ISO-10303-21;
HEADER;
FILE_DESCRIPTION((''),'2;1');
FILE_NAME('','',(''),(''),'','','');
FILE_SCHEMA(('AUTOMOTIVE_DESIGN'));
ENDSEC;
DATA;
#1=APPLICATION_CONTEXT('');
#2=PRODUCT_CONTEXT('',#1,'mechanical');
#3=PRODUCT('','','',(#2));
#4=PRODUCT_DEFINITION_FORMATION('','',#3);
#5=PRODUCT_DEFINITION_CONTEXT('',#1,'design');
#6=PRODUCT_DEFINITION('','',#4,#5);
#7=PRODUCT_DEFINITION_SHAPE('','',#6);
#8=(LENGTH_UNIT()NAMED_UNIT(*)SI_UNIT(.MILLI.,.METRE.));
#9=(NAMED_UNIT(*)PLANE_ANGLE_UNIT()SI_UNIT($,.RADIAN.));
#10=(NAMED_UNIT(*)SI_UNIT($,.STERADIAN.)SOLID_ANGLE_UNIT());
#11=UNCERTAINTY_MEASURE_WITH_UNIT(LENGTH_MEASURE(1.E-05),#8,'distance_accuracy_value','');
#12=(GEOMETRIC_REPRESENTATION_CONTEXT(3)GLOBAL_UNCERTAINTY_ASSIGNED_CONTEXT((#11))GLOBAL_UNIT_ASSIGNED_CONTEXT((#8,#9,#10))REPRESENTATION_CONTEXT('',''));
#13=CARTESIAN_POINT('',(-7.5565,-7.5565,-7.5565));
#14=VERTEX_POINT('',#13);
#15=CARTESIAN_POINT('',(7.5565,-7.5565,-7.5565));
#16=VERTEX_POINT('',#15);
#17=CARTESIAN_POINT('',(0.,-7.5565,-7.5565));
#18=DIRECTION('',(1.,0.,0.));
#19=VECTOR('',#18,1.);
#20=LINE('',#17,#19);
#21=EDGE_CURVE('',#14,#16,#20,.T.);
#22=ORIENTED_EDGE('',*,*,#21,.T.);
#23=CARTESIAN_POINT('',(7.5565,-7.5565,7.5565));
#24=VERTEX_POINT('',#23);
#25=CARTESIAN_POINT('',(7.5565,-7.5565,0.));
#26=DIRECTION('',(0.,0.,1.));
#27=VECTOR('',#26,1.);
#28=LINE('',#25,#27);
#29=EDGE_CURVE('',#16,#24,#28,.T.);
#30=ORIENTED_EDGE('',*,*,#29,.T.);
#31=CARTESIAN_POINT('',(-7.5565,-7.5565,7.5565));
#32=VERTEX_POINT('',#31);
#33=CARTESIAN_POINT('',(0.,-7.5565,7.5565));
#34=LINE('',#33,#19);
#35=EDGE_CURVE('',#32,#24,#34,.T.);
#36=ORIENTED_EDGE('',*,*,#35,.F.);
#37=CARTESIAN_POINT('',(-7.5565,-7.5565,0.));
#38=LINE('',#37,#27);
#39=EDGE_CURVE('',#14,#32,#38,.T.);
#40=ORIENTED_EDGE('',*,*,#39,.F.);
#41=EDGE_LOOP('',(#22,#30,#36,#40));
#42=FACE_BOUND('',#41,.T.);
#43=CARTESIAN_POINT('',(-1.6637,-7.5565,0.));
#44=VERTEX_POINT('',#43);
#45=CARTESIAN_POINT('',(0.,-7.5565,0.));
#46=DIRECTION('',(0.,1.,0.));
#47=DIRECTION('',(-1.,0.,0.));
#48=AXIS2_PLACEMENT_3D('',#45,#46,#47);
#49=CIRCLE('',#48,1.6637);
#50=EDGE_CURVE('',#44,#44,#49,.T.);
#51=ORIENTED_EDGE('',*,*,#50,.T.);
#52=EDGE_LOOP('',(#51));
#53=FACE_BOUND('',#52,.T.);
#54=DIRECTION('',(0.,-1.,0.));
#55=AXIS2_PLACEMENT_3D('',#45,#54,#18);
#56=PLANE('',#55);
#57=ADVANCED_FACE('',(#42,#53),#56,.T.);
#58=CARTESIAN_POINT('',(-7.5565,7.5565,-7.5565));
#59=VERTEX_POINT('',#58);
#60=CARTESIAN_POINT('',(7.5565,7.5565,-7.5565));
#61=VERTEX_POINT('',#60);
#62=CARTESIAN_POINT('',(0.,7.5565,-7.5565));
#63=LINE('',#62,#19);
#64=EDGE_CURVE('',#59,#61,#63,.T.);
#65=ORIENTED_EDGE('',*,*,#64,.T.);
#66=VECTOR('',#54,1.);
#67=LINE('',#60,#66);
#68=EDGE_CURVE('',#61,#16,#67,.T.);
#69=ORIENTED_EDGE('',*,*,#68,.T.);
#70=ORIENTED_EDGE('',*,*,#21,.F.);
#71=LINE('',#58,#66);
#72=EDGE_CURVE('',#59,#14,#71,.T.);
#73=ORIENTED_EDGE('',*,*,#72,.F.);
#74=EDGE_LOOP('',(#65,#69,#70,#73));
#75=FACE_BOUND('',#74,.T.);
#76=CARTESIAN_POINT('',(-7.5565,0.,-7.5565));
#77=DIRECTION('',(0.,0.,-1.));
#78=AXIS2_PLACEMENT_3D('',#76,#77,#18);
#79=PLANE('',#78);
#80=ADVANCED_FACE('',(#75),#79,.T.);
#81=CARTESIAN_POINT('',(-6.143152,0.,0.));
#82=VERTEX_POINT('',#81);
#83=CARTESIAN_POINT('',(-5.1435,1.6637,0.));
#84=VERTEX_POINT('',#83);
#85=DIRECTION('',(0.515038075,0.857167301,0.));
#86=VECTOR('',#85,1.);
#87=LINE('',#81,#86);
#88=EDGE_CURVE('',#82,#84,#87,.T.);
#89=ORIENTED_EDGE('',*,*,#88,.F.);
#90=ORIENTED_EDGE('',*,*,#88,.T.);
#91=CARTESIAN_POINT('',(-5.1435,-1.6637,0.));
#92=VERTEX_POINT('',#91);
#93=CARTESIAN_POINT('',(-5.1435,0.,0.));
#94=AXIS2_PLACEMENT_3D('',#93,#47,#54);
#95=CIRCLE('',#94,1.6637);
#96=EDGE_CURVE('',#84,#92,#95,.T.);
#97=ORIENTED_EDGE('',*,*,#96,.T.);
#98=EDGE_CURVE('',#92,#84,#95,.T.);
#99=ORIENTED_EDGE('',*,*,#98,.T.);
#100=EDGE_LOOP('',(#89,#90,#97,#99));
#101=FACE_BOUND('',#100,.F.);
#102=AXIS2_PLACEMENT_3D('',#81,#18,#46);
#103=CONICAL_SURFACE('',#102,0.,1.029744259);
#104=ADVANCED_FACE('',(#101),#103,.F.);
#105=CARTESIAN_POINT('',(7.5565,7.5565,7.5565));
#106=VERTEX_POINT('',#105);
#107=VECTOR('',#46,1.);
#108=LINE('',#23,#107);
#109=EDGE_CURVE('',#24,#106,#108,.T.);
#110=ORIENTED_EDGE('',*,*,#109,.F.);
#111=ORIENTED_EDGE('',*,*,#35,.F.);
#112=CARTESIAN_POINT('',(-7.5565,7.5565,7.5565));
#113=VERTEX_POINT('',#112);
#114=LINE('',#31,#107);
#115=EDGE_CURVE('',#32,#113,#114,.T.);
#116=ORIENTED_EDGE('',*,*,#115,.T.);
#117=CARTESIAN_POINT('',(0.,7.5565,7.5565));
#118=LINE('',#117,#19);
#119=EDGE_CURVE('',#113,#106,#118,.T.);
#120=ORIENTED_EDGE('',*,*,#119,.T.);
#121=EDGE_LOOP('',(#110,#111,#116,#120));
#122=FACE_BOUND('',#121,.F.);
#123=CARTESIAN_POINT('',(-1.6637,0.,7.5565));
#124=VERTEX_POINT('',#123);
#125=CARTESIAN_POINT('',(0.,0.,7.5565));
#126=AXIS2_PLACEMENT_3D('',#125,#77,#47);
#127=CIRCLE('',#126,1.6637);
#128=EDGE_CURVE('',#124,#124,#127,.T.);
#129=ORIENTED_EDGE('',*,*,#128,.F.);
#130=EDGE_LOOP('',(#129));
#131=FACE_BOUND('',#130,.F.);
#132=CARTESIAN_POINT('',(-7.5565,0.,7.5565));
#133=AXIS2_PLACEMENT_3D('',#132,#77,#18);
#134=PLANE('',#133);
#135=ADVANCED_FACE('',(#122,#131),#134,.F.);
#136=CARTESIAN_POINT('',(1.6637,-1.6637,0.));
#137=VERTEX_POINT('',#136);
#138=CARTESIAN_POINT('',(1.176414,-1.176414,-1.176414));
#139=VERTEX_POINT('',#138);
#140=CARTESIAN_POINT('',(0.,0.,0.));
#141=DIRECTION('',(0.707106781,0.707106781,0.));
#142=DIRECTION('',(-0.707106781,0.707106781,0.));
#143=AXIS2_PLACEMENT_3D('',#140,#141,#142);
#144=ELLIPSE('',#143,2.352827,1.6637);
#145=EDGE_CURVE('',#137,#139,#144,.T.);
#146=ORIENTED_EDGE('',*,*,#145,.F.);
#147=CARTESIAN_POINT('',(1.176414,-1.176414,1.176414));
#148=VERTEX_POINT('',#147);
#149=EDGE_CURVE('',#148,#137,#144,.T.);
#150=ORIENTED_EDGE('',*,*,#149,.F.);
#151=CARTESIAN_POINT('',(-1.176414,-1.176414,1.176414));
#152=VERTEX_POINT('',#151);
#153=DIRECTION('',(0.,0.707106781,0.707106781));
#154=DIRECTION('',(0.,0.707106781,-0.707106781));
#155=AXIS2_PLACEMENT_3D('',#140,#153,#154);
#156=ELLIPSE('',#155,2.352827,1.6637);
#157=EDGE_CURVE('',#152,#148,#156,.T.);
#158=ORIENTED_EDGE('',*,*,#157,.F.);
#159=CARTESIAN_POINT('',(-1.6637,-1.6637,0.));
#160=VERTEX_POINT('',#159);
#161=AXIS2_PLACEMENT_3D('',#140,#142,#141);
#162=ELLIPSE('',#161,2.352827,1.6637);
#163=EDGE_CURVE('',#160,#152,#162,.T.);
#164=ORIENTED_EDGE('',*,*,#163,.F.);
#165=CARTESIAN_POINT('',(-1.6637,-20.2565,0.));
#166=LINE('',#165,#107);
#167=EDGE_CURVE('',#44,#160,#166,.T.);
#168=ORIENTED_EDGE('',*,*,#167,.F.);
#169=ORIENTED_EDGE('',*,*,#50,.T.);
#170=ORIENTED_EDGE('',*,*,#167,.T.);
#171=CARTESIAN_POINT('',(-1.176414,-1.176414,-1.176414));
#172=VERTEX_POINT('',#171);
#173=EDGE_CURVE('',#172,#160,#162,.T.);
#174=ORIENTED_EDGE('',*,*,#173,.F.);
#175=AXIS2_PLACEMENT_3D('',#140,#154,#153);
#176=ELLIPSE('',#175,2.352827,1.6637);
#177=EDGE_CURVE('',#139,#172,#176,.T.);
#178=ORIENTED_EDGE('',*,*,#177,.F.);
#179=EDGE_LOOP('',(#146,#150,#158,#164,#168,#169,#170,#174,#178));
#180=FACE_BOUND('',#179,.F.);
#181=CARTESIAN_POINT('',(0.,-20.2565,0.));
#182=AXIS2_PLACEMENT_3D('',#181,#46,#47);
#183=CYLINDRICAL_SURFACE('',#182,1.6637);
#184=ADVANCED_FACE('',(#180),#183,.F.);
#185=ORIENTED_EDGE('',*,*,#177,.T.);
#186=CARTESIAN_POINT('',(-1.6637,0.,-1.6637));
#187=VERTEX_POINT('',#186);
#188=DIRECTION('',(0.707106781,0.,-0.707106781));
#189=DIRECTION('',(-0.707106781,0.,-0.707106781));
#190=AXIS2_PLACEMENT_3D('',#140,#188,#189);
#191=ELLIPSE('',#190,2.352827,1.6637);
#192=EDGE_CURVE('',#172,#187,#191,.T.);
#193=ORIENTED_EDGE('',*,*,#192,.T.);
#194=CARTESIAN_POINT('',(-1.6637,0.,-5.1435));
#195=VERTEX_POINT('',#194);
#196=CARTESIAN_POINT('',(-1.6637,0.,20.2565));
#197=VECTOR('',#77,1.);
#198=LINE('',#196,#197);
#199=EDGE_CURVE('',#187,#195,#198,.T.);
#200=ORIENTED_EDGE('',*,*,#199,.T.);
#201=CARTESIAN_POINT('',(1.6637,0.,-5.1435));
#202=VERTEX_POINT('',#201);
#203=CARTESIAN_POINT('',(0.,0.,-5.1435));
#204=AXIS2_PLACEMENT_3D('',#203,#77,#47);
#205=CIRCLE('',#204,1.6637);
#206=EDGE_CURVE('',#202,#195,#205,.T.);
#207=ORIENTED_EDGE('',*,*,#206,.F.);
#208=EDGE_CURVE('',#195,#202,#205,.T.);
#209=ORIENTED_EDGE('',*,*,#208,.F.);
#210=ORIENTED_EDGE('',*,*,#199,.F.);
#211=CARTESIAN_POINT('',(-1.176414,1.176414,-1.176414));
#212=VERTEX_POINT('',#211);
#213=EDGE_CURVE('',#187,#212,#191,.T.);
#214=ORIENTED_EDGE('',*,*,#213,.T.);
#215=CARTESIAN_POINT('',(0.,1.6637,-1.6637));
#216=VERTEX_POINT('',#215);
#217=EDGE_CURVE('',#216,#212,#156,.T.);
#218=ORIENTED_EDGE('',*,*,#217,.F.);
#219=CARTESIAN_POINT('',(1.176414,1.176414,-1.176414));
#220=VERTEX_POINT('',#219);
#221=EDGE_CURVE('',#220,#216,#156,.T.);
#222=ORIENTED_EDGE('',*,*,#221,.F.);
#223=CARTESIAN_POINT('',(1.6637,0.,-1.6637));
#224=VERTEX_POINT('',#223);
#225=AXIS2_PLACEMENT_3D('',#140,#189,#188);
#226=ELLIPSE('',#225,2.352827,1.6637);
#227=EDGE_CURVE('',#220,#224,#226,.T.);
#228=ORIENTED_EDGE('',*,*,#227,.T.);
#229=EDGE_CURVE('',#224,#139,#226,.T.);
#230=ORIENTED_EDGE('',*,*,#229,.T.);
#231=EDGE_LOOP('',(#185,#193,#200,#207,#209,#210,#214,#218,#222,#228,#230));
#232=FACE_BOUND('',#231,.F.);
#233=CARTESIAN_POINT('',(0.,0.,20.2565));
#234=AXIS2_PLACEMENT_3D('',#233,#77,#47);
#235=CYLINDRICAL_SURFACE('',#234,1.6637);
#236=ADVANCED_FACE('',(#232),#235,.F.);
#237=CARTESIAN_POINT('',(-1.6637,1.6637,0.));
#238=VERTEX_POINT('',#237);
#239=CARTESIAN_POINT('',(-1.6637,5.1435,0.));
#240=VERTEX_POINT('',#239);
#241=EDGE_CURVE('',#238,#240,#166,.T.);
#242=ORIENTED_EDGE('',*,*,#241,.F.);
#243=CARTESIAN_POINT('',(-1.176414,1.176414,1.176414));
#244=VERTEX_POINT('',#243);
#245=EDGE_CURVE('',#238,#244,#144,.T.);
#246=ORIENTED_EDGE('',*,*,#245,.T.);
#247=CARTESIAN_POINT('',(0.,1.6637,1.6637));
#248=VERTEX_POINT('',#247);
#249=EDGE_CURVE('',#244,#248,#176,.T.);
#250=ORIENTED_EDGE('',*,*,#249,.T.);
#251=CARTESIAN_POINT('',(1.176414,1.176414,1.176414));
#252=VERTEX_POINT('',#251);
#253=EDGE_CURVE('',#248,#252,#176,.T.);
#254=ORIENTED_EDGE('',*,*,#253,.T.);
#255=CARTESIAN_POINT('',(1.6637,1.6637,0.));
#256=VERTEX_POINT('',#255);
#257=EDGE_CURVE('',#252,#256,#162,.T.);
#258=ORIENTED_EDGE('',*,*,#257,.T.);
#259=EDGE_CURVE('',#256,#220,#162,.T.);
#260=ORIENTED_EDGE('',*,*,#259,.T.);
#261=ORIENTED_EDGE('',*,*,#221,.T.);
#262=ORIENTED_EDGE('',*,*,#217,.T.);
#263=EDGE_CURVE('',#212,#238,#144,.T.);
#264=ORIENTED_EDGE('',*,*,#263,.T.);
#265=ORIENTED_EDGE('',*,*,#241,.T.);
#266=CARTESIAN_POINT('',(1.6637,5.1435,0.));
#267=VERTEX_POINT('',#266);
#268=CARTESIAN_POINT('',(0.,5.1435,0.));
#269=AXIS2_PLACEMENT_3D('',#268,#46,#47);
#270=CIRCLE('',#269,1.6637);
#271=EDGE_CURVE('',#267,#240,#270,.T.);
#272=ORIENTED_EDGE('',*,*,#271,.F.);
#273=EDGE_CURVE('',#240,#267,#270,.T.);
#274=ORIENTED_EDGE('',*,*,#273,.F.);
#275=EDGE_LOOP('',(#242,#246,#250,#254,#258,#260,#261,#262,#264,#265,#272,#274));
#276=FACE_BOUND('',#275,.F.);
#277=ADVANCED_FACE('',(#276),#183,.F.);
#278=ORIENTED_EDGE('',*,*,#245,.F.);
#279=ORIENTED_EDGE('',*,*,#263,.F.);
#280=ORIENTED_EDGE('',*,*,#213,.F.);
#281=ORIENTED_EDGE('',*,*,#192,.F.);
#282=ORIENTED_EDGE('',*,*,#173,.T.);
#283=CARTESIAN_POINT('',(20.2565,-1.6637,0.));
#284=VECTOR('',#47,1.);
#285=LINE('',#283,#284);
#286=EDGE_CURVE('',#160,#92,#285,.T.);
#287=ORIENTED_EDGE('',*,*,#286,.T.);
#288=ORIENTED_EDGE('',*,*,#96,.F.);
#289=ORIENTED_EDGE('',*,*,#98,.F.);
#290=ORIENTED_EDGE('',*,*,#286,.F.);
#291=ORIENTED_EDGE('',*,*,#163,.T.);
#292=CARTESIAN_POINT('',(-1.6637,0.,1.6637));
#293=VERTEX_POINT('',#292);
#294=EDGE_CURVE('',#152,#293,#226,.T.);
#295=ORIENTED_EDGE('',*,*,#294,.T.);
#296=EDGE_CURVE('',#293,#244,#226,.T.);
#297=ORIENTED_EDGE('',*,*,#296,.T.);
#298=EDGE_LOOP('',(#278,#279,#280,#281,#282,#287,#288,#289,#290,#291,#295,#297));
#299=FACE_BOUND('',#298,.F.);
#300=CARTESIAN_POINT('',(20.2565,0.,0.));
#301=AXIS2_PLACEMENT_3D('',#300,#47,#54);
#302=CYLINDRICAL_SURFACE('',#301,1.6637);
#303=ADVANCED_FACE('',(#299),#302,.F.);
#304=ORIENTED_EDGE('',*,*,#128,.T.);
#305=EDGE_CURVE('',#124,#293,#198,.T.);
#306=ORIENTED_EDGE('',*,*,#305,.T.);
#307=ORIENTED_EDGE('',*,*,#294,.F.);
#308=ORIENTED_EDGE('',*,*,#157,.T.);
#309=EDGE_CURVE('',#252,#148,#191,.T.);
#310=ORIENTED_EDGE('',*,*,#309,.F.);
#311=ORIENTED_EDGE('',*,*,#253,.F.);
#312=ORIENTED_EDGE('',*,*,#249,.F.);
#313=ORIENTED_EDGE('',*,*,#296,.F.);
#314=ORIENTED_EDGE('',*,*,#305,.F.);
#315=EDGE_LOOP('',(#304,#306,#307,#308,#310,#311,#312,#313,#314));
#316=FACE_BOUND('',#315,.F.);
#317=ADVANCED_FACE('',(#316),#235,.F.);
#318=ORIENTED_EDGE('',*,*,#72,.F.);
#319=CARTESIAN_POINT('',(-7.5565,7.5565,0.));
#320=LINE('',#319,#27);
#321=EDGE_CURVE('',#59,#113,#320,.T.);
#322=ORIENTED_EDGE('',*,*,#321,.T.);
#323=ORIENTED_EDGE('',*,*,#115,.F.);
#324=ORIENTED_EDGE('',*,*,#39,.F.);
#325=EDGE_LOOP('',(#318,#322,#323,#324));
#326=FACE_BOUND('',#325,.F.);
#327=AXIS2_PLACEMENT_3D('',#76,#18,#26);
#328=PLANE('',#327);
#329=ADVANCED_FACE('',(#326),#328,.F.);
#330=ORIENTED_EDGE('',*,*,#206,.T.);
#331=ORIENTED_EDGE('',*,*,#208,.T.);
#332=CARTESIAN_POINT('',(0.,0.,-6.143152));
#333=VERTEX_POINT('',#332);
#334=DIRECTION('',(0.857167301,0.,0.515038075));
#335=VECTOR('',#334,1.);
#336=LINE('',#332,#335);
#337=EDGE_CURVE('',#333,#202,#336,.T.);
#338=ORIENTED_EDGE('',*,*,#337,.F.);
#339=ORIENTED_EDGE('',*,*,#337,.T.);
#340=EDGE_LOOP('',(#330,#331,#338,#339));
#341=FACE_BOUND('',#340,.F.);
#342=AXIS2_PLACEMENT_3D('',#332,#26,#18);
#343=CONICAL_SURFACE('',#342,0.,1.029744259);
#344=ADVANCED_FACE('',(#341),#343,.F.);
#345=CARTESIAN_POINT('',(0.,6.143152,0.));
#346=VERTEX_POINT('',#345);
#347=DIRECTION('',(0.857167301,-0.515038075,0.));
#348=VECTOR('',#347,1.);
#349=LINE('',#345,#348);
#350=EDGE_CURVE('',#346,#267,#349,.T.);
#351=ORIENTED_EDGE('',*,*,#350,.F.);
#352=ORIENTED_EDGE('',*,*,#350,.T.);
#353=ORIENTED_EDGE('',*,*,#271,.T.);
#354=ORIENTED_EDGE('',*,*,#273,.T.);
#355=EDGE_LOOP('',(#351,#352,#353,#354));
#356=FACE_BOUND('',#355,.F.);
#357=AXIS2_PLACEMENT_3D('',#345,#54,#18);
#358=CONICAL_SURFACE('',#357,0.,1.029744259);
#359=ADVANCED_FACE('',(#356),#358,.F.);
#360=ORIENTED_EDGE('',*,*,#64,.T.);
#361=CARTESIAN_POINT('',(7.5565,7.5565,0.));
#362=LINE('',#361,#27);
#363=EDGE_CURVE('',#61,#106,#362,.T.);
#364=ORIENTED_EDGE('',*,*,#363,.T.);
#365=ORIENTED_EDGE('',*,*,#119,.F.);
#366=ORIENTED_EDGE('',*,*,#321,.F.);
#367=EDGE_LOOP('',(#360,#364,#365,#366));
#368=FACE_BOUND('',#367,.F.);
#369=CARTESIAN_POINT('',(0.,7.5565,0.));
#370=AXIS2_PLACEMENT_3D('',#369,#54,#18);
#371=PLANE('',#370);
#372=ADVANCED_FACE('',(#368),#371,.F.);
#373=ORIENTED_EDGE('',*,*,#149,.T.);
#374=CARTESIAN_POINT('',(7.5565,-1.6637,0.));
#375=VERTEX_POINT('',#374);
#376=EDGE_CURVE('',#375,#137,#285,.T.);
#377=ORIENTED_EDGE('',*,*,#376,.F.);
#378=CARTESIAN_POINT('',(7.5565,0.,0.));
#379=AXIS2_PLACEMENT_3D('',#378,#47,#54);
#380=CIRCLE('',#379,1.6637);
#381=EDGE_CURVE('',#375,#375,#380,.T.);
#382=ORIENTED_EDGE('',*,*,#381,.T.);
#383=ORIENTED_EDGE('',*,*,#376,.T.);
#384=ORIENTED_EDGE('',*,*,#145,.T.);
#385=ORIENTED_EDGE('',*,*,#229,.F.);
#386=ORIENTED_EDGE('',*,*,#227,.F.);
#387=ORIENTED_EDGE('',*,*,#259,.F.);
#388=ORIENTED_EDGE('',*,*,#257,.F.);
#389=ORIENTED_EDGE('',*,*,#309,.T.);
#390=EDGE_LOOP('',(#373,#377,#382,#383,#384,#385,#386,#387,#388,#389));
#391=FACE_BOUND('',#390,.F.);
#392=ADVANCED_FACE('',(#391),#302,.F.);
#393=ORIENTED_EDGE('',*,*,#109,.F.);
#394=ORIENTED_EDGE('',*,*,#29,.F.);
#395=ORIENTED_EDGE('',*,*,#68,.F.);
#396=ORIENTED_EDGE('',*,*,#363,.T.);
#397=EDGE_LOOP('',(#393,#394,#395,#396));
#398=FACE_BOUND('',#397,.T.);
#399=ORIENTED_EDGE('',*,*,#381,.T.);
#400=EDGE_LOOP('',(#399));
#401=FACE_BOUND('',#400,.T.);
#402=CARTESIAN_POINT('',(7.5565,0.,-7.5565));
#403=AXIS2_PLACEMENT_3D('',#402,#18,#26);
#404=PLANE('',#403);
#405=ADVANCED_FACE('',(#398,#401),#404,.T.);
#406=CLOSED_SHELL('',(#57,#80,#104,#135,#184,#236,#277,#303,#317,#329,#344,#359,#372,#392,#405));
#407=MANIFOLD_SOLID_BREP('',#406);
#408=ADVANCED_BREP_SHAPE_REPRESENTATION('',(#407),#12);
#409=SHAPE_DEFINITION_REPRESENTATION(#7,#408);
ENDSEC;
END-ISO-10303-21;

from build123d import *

# Parameters (mm, degrees)
F0_W     = 15.113
F0_H     = 15.113
F1_DEPTH = 7.5565
F3_D     = 3.3274
F3_DEPTH = 12.7
F3_TIP   = 0.9996518119
F5_D     = 3.3274
F5_DEPTH = 12.7
F5_TIP   = 0.9996518119
F7_D     = 3.3274
F7_DEPTH = 12.7
F7_TIP   = 0.9996518119


with BuildPart() as f1:
    # F0 (on Front) → F1 (new body, symmetric)
    with BuildSketch(Plane.XZ):
        Rectangle(F0_W, F0_H)
    extrude(amount=F1_DEPTH, both=True)

    # F3
    with Locations(Plane.XZ.offset(7.5565)):
        with Locations((0, 0)):
            Hole(F3_D / 2, depth=F3_DEPTH)
            with Locations((0, 0, -(F3_DEPTH + F3_TIP / 2))):  # 118° drill point
                Cone(0, F3_D / 2, F3_TIP, mode=Mode.SUBTRACT)

    # F5
    with Locations(Plane.XY.offset(7.5565)):
        with Locations((0, 0)):
            Hole(F5_D / 2, depth=F5_DEPTH)
            with Locations((0, 0, -(F5_DEPTH + F5_TIP / 2))):  # 118° drill point
                Cone(0, F5_D / 2, F5_TIP, mode=Mode.SUBTRACT)

    # F7
    with Locations(Plane.YZ.offset(7.5565)):
        with Locations((0, 0)):
            Hole(F7_D / 2, depth=F7_DEPTH)
            with Locations((0, 0, -(F7_DEPTH + F7_TIP / 2))):  # 118° drill point
                Cone(0, F7_D / 2, F7_TIP, mode=Mode.SUBTRACT)


solid = f1.part
